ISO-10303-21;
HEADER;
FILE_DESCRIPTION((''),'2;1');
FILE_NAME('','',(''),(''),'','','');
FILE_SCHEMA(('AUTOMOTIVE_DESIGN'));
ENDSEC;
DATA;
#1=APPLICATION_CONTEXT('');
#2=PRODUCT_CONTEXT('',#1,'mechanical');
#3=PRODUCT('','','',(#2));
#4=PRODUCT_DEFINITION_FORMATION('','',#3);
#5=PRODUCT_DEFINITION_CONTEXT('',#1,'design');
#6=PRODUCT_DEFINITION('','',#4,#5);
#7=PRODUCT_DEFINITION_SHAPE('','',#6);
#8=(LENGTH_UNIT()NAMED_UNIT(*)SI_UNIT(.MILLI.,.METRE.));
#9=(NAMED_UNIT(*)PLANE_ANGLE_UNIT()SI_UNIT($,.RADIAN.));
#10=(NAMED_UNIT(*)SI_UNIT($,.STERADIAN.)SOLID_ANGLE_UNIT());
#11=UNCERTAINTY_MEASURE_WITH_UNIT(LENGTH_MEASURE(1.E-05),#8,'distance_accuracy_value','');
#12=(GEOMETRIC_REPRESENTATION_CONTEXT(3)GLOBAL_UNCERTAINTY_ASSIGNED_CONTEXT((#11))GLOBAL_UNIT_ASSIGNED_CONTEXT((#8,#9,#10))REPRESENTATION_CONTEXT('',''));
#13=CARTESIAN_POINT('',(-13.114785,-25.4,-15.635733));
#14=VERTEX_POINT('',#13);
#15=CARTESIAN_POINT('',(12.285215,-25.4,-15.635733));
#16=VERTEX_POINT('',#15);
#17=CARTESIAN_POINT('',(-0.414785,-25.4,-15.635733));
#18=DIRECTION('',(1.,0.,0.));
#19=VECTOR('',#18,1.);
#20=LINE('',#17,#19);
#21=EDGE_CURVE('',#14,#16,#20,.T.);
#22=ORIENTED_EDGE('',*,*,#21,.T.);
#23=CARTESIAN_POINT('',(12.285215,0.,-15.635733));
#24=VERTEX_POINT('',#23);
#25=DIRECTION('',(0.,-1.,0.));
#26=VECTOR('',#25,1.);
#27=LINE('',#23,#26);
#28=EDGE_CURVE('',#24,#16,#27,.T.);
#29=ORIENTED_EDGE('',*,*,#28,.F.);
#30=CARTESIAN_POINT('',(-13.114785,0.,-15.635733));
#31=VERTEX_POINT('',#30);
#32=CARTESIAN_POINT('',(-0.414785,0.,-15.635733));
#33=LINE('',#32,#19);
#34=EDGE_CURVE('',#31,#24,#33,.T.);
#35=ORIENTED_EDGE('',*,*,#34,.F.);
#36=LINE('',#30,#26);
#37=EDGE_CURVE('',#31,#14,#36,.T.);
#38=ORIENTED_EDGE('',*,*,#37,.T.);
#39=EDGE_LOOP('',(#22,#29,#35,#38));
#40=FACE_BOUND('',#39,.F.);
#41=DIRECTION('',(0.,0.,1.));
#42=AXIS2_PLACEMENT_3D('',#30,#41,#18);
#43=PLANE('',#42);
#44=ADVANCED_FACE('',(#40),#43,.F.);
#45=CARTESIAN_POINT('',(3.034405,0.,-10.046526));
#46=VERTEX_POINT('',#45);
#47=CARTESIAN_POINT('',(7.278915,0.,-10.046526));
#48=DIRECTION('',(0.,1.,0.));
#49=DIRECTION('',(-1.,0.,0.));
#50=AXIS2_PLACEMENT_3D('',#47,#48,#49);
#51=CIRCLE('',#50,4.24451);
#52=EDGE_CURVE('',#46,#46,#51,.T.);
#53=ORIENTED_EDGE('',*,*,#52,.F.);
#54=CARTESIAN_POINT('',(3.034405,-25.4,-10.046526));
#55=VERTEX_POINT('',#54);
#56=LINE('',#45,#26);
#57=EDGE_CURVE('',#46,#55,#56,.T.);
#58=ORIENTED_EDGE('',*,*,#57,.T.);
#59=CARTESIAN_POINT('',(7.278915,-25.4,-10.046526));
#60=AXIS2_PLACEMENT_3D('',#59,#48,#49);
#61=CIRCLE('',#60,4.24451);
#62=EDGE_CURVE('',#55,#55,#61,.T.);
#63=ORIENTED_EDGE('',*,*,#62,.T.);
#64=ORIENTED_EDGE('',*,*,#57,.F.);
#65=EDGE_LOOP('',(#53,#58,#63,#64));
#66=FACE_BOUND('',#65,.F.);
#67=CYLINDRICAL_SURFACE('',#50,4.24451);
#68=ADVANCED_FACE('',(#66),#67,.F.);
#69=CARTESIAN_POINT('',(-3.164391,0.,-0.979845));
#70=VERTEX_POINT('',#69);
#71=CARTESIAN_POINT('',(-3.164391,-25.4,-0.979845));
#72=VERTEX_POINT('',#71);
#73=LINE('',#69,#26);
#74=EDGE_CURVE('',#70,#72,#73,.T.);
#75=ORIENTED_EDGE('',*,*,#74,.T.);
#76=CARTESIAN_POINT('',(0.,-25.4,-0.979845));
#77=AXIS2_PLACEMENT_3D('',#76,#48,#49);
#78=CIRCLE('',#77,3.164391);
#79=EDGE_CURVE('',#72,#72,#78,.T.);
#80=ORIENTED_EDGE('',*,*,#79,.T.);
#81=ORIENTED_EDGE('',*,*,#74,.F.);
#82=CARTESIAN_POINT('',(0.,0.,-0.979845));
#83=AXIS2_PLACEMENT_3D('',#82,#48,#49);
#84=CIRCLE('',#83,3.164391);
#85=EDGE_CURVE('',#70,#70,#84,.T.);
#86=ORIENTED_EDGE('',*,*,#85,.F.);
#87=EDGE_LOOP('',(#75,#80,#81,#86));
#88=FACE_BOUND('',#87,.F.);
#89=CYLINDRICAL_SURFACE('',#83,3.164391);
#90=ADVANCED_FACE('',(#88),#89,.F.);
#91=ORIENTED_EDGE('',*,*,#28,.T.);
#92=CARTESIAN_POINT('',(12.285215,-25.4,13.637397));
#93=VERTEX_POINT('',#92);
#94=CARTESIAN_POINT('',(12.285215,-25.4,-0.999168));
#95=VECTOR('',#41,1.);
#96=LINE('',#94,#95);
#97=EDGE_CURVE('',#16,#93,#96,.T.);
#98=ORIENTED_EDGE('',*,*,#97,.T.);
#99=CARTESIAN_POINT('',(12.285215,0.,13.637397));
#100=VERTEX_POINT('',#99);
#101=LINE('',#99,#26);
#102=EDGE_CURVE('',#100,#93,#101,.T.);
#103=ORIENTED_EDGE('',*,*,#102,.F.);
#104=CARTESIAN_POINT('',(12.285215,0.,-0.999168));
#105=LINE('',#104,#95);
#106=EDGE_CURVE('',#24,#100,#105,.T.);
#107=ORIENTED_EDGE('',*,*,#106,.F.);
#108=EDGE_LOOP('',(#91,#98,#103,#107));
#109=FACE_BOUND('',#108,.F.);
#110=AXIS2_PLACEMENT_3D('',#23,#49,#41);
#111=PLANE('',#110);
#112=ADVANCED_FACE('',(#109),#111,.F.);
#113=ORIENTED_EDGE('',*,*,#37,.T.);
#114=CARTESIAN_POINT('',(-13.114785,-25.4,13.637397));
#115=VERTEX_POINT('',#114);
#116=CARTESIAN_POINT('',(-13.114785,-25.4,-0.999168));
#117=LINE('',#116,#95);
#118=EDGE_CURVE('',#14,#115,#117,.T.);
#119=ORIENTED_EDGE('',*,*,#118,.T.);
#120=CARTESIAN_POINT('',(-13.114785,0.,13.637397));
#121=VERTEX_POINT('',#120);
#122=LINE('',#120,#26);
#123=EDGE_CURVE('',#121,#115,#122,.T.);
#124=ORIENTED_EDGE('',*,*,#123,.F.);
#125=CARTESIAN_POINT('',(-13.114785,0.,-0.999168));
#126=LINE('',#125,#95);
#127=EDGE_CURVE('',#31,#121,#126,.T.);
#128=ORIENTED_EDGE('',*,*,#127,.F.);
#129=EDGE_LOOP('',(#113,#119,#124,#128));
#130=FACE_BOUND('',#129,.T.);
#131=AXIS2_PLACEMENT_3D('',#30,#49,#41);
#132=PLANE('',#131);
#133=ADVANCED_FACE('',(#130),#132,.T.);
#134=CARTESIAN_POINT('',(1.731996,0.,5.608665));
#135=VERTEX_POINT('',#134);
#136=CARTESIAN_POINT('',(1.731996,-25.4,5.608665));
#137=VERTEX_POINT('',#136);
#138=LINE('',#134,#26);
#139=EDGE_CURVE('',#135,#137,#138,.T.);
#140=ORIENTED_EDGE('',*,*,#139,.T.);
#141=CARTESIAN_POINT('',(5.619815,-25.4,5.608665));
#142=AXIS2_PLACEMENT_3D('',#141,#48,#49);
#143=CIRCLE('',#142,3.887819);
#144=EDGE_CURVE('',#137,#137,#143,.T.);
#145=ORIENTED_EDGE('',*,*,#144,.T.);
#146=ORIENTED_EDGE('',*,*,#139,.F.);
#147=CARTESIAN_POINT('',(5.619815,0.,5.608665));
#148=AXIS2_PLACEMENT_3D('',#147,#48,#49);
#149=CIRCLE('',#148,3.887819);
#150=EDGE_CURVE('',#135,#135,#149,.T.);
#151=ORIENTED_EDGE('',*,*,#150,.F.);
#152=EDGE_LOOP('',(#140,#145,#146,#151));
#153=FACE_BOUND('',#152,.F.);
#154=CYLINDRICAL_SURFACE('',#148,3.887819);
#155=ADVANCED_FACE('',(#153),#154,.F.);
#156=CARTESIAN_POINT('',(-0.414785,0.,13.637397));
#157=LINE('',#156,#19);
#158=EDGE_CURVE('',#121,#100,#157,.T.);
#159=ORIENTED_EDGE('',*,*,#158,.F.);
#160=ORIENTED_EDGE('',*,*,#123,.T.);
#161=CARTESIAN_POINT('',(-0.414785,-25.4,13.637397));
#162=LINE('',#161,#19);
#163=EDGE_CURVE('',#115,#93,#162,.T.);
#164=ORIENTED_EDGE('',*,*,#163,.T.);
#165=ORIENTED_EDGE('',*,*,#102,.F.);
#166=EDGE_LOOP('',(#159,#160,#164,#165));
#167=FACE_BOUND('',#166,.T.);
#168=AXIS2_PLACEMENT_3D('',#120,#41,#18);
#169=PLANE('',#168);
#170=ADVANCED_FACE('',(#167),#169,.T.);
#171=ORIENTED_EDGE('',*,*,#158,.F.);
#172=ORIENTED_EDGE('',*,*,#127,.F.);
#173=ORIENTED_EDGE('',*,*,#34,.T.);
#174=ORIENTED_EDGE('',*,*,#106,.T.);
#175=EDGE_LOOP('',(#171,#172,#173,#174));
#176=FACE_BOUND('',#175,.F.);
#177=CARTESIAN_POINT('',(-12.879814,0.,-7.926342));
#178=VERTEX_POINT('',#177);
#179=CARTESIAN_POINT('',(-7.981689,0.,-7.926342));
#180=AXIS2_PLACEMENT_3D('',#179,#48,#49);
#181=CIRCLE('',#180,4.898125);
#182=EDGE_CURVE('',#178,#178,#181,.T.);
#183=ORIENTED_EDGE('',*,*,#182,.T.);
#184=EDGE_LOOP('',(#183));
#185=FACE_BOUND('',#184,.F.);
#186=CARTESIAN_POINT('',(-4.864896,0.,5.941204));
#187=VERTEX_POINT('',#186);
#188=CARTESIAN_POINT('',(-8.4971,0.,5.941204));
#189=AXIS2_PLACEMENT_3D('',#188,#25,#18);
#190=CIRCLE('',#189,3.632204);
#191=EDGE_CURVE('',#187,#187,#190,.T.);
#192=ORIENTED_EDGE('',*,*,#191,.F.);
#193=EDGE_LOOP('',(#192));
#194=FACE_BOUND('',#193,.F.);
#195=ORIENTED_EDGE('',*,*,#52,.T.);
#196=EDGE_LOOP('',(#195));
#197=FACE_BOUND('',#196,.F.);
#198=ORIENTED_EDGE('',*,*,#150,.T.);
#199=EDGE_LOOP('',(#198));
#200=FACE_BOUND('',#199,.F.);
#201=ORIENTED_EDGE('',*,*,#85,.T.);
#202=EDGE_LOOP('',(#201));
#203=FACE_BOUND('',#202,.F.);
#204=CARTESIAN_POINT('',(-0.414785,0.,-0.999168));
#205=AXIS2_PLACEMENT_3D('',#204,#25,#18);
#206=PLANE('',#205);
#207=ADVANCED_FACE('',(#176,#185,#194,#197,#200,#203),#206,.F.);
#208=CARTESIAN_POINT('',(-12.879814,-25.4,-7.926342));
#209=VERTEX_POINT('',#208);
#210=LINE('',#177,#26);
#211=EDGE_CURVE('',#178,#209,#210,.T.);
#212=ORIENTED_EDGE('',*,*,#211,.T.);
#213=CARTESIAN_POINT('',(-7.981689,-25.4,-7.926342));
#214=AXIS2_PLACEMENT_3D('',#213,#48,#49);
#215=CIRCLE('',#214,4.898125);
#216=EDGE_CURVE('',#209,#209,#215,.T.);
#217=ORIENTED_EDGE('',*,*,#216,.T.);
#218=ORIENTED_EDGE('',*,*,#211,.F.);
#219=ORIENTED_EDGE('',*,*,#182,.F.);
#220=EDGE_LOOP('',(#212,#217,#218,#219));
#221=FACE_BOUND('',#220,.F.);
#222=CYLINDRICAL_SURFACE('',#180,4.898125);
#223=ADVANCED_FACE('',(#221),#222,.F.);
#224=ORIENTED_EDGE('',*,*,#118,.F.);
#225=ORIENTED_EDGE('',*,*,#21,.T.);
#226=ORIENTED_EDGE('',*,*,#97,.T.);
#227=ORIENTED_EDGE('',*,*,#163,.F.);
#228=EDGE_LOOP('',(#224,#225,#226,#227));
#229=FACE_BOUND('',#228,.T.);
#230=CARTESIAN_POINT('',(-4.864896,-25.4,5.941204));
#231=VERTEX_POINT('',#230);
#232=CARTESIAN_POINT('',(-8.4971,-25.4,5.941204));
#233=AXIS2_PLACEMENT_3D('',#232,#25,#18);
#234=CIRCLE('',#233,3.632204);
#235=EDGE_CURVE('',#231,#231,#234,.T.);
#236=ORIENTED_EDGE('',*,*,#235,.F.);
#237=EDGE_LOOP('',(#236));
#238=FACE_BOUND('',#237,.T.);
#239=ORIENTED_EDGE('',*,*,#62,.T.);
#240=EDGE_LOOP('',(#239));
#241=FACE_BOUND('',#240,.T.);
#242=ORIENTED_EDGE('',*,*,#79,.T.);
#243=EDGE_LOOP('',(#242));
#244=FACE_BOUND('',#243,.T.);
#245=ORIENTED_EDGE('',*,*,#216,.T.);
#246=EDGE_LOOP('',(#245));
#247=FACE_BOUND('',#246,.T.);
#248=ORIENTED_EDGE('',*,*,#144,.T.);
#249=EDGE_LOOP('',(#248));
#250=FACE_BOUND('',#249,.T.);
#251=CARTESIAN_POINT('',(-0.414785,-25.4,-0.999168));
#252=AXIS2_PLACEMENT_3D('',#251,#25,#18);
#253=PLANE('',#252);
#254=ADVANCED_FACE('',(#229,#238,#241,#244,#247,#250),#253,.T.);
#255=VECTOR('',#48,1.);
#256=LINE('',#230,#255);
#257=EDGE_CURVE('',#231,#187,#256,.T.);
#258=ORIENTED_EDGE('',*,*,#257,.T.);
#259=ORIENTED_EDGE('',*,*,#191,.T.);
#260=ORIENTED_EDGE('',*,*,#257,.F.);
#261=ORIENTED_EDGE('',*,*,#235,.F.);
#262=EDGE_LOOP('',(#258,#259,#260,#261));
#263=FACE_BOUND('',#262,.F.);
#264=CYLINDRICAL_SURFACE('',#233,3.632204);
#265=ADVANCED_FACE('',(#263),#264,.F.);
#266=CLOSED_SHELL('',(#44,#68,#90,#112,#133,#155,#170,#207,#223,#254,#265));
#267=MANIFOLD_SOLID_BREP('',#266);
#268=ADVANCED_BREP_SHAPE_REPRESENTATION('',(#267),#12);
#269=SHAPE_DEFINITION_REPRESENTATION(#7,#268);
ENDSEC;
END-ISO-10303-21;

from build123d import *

# Parameters (mm, degrees)
F0_W     = 25.4
F0_H     = 29.27313
F1_DEPTH = 25.4
F2_R     = 3.632204
F3_DEPTH = 30.226
F4_R     = 3.164391
F4_R_2   = 4.898125
F4_R_3   = 4.24451
F4_R_4   = 3.887819
F5_DEPTH = 25.401


with BuildPart() as f1:
    # F0 (on Front) → F1 (new body)
    with BuildSketch(Plane.XZ):
        with Locations((-0.414785, -0.999168)):
            Rectangle(F0_W, F0_H)
    extrude(amount=F1_DEPTH)

    # F2 (on face) → F3 (cut)
    with BuildSketch(Plane.XZ.offset(25.4)):
        with Locations((-8.4971, 5.941204)):
            Circle(F2_R)
    extrude(amount=-F3_DEPTH, mode=Mode.SUBTRACT)

    # F4 (on face) → F5 (cut, through all)
    with BuildSketch(Plane(origin=(0, 0, 0), x_dir=(-1, 0, 0), z_dir=(0, 1, 0))):
        with Locations((0, -0.979845)):
            Circle(F4_R)
        with Locations((7.981689, -7.926342)):
            Circle(F4_R_2)
        with Locations((-7.278915, -10.046526)):
            Circle(F4_R_3)
        with Locations((-5.619815, 5.608665)):
            Circle(F4_R_4)
    extrude(amount=-F5_DEPTH, mode=Mode.SUBTRACT)


solid = f1.part
